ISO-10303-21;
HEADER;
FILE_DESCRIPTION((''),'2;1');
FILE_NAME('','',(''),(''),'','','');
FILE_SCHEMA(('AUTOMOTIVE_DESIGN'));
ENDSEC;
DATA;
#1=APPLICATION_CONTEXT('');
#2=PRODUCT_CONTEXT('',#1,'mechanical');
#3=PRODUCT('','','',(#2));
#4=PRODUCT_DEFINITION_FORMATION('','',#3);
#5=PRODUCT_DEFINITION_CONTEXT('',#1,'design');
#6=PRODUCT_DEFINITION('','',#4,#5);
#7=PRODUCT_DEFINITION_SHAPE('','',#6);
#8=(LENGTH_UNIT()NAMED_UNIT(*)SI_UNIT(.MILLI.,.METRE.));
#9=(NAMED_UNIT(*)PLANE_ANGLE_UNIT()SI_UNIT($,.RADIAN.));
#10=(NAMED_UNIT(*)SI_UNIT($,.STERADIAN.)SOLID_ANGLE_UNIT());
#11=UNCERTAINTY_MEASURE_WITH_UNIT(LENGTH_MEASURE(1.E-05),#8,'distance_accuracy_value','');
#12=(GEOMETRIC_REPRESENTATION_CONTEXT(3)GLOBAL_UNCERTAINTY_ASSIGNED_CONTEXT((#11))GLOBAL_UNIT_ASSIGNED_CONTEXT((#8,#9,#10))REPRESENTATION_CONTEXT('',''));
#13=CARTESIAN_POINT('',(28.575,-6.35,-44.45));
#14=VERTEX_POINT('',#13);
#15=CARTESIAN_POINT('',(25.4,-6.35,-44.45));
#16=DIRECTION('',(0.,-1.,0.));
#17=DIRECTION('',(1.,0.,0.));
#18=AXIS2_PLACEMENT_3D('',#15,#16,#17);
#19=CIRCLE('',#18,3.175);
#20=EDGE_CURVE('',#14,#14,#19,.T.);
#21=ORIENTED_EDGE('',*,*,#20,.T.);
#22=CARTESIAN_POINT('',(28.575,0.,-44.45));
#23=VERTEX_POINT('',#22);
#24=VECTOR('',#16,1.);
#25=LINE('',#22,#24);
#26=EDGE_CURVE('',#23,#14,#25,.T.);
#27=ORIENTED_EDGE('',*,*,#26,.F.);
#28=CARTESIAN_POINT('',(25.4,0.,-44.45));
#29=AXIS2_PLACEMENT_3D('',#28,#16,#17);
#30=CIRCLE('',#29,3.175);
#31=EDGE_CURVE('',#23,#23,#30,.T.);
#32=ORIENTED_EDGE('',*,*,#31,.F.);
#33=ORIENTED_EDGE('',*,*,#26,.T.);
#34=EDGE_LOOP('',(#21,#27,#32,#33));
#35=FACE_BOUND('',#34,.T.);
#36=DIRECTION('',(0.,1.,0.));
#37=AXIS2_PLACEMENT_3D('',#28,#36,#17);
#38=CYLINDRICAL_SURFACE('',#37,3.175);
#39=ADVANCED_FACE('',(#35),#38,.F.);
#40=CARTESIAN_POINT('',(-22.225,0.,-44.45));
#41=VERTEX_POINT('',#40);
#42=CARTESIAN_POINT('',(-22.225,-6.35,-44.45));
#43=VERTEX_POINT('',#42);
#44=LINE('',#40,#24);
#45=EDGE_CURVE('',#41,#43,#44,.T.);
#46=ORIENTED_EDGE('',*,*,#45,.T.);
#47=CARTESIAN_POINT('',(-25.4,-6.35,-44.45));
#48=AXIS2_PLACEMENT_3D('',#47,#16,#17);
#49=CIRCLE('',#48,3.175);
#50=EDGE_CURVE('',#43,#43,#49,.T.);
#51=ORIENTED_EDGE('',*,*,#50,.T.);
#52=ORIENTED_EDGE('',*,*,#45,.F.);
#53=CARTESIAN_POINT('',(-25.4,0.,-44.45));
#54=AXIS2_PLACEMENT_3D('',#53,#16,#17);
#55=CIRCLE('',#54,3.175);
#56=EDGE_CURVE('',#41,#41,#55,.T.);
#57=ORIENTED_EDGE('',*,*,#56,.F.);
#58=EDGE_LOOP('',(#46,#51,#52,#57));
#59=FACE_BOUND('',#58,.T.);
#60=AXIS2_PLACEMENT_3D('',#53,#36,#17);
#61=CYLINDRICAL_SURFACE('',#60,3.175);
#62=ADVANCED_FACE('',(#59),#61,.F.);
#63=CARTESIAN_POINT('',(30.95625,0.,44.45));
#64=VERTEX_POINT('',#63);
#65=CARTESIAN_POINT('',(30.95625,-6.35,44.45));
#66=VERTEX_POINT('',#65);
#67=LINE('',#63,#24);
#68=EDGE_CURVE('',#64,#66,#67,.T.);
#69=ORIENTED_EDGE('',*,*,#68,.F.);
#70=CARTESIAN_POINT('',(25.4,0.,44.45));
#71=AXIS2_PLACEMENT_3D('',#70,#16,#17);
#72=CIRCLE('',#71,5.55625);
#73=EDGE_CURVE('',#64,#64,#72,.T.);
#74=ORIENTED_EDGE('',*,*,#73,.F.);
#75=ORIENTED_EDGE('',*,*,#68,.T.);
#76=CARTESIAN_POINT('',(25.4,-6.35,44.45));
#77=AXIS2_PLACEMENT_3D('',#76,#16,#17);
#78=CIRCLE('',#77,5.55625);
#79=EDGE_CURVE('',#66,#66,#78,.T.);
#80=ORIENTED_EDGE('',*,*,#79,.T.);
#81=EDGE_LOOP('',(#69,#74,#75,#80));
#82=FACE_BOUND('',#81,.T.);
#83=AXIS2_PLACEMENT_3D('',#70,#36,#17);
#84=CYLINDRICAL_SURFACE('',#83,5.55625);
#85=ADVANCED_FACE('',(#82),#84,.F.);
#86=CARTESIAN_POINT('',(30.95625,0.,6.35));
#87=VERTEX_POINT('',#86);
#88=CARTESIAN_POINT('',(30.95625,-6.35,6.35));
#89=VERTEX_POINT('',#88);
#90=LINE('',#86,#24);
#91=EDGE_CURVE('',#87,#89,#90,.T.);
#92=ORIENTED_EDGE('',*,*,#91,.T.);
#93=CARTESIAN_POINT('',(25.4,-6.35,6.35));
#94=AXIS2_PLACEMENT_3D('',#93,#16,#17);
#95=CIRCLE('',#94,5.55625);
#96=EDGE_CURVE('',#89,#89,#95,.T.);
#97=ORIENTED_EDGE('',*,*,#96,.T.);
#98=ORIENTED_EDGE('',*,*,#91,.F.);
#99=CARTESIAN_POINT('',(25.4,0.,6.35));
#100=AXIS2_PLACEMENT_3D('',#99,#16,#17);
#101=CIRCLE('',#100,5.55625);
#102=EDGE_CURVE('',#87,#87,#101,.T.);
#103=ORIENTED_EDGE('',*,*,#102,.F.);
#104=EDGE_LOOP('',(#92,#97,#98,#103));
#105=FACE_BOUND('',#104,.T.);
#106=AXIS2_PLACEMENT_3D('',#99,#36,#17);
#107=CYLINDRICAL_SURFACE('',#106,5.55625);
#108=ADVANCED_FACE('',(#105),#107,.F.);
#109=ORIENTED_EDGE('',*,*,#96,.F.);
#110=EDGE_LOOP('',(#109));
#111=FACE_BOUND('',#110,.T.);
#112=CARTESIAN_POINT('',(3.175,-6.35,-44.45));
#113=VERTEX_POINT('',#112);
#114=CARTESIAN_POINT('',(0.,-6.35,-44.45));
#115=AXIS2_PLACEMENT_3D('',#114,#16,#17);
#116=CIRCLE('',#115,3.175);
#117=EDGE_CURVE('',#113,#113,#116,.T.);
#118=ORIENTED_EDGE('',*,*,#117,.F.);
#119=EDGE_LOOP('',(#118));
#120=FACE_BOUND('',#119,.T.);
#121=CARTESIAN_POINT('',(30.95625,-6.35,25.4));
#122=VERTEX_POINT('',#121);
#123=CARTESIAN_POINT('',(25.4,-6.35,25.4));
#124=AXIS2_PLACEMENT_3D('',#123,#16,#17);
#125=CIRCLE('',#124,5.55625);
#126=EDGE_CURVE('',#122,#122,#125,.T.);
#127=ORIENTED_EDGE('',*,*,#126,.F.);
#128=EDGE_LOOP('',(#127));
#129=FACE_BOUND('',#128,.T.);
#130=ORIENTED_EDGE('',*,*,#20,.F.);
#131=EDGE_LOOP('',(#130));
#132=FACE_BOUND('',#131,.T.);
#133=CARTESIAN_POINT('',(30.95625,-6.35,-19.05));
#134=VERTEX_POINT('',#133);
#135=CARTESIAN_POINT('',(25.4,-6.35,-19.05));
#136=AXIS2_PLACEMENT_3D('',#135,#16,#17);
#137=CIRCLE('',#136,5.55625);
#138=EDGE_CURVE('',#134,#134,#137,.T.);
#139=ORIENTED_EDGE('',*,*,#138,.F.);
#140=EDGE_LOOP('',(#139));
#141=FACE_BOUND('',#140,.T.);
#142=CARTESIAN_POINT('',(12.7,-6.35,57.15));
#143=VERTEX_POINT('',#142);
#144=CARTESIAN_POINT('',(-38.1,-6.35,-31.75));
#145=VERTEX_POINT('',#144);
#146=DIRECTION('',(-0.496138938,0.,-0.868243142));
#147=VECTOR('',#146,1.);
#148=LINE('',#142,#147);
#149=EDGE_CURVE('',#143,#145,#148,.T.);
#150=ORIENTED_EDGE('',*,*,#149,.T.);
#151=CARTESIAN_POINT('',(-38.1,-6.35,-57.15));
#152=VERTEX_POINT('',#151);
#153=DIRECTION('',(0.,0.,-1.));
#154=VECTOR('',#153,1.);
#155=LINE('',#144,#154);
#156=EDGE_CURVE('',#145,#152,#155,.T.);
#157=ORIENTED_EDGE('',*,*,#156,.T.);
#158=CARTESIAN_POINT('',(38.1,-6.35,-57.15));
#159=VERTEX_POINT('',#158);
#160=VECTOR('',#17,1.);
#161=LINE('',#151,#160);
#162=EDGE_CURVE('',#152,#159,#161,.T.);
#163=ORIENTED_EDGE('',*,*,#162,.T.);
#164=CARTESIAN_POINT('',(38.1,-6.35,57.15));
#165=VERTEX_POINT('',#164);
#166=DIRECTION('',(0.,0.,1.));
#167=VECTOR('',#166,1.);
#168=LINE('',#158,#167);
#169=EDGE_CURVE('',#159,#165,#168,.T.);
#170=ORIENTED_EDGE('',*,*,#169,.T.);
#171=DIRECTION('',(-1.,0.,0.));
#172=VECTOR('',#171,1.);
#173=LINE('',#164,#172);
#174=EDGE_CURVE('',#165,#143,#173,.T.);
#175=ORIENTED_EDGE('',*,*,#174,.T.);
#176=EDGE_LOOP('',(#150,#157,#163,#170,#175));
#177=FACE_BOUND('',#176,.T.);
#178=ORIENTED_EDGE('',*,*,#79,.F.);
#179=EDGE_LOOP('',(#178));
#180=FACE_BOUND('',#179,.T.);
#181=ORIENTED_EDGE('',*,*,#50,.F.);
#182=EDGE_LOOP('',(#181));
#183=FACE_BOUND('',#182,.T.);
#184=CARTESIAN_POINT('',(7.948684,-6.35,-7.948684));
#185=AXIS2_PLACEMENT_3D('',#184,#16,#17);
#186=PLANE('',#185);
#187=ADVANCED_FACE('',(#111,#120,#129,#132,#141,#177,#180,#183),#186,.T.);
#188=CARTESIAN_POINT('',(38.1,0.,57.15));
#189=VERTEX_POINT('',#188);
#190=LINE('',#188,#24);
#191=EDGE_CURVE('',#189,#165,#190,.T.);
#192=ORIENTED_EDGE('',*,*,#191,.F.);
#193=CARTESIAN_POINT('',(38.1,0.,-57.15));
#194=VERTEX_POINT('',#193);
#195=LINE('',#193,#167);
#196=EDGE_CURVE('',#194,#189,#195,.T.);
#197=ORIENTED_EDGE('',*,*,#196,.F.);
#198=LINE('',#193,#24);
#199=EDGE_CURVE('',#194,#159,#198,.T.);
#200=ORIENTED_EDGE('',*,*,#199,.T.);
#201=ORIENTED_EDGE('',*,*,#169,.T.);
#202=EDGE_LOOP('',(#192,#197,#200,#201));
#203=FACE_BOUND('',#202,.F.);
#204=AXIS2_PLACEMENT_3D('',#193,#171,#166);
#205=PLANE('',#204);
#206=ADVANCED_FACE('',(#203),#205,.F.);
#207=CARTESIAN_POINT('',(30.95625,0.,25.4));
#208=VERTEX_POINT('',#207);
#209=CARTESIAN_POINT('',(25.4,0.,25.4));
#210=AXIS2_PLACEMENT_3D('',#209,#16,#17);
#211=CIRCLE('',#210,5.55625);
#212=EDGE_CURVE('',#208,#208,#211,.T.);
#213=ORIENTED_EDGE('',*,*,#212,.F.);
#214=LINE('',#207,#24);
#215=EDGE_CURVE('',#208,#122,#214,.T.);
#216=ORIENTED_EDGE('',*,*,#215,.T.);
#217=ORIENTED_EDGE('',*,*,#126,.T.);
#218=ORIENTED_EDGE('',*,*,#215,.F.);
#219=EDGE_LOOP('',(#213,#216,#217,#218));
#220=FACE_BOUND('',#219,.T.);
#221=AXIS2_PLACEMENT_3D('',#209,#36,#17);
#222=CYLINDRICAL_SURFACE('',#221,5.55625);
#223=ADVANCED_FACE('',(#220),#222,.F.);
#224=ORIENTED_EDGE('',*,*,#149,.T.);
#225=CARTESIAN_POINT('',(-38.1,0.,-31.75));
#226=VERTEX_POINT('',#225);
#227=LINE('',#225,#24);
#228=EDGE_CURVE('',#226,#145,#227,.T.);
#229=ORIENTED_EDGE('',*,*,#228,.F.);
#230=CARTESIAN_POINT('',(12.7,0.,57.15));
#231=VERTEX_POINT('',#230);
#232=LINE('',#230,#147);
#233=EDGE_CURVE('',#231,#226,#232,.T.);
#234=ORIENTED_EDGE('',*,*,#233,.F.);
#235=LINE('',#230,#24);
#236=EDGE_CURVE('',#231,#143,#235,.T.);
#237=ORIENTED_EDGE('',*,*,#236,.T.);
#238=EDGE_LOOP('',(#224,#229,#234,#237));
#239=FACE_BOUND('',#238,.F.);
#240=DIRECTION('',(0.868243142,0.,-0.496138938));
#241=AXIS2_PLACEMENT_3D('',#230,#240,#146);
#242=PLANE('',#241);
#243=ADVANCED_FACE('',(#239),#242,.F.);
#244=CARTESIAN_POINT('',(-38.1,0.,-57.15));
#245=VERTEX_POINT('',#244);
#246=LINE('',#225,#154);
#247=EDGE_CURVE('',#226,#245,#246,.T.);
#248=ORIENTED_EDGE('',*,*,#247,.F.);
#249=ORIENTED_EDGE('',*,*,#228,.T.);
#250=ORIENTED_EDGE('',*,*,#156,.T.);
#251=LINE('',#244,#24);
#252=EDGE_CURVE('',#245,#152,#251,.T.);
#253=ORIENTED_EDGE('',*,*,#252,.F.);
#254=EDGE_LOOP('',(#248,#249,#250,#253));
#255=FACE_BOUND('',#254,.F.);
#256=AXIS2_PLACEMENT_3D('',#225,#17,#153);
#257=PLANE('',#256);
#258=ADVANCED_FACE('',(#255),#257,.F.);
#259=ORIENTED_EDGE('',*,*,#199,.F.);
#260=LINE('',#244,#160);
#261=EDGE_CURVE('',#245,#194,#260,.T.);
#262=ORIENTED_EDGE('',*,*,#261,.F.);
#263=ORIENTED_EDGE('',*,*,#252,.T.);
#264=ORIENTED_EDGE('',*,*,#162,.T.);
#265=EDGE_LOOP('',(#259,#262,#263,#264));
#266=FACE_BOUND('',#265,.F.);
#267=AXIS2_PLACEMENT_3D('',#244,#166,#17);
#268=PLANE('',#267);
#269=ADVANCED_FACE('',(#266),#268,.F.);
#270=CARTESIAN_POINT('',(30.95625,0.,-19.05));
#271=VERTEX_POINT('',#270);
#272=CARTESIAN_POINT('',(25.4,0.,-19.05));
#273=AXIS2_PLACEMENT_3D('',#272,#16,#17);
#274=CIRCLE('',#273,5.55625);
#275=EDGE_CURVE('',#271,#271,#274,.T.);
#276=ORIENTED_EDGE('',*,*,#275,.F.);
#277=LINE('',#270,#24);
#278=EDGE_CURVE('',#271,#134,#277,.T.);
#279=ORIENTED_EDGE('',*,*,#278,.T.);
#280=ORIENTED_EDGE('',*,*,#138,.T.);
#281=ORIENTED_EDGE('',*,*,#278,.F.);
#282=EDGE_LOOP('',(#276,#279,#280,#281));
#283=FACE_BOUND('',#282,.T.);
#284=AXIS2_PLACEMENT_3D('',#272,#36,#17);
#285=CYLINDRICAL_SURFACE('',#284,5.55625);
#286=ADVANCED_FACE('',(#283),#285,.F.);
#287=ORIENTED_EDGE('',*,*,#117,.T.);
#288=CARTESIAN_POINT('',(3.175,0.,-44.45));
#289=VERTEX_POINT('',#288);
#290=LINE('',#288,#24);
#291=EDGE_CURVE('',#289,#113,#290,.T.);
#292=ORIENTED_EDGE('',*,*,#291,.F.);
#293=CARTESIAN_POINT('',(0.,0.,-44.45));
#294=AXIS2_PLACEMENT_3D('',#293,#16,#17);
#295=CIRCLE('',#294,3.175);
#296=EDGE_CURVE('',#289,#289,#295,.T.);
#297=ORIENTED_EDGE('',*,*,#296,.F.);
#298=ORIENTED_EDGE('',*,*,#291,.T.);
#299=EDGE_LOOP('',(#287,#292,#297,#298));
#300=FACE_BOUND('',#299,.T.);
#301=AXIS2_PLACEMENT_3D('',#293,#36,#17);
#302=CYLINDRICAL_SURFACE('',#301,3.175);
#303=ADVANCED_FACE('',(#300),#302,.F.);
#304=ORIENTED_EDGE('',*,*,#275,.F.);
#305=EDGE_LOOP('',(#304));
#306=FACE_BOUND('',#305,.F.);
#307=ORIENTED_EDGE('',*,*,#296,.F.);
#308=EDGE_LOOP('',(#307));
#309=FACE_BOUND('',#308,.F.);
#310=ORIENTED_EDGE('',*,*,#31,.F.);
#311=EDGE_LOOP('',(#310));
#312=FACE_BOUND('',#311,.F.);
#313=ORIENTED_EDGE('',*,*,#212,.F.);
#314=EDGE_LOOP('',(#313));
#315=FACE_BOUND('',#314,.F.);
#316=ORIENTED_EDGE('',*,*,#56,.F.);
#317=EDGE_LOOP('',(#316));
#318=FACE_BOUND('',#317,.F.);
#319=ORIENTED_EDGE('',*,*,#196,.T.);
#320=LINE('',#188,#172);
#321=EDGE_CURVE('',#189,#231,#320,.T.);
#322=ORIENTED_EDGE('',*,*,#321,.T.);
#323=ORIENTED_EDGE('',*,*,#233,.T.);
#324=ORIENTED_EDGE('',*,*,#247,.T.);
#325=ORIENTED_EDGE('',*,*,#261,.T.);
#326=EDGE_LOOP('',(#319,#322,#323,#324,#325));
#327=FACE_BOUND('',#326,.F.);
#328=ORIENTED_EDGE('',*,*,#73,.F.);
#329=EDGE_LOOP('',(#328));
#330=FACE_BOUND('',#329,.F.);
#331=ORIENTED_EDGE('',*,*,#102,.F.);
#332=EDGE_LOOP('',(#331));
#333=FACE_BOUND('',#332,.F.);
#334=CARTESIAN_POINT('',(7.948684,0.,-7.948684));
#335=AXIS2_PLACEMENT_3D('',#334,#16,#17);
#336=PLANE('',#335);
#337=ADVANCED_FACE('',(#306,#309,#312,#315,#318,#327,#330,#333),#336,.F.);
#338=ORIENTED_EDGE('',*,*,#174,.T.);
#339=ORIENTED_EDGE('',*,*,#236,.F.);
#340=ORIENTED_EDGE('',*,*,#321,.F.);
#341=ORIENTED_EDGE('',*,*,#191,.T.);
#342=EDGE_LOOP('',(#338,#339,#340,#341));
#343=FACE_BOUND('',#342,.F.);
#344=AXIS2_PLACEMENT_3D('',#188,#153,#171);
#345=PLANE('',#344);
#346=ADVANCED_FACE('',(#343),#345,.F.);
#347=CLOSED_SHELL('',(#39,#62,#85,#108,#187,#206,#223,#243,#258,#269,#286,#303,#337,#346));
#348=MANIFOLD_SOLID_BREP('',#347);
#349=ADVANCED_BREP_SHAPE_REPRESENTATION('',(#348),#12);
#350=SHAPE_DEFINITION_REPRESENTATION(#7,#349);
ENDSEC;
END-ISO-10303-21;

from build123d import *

# Parameters (mm, degrees)
F0_R     = 3.175
F0_R_2   = 5.55625
F1_DEPTH = 6.35


with BuildPart() as f1:
    # F0 (on Front) → F1 (new body)
    with BuildSketch(Plane.XZ):
        Polygon((38.1, -57.15), (38.1, 57.15), (12.7, 57.15), (-38.1, -31.75), (-38.1, -57.15), align=None)
        with Locations((-25.4, -44.45)):
            Circle(F0_R, mode=Mode.SUBTRACT)
        with Locations((0, -44.45)):
            Circle(F0_R, mode=Mode.SUBTRACT)
        with Locations((25.4, -44.45)):
            Circle(F0_R, mode=Mode.SUBTRACT)
        with Locations((25.4, -19.05)):
            Circle(F0_R_2, mode=Mode.SUBTRACT)
        with Locations((25.4, 6.35)):
            Circle(F0_R_2, mode=Mode.SUBTRACT)
        with Locations((25.4, 25.4)):
            Circle(F0_R_2, mode=Mode.SUBTRACT)
        with Locations((25.4, 44.45)):
            Circle(F0_R_2, mode=Mode.SUBTRACT)
    extrude(amount=F1_DEPTH)


solid = f1.part
